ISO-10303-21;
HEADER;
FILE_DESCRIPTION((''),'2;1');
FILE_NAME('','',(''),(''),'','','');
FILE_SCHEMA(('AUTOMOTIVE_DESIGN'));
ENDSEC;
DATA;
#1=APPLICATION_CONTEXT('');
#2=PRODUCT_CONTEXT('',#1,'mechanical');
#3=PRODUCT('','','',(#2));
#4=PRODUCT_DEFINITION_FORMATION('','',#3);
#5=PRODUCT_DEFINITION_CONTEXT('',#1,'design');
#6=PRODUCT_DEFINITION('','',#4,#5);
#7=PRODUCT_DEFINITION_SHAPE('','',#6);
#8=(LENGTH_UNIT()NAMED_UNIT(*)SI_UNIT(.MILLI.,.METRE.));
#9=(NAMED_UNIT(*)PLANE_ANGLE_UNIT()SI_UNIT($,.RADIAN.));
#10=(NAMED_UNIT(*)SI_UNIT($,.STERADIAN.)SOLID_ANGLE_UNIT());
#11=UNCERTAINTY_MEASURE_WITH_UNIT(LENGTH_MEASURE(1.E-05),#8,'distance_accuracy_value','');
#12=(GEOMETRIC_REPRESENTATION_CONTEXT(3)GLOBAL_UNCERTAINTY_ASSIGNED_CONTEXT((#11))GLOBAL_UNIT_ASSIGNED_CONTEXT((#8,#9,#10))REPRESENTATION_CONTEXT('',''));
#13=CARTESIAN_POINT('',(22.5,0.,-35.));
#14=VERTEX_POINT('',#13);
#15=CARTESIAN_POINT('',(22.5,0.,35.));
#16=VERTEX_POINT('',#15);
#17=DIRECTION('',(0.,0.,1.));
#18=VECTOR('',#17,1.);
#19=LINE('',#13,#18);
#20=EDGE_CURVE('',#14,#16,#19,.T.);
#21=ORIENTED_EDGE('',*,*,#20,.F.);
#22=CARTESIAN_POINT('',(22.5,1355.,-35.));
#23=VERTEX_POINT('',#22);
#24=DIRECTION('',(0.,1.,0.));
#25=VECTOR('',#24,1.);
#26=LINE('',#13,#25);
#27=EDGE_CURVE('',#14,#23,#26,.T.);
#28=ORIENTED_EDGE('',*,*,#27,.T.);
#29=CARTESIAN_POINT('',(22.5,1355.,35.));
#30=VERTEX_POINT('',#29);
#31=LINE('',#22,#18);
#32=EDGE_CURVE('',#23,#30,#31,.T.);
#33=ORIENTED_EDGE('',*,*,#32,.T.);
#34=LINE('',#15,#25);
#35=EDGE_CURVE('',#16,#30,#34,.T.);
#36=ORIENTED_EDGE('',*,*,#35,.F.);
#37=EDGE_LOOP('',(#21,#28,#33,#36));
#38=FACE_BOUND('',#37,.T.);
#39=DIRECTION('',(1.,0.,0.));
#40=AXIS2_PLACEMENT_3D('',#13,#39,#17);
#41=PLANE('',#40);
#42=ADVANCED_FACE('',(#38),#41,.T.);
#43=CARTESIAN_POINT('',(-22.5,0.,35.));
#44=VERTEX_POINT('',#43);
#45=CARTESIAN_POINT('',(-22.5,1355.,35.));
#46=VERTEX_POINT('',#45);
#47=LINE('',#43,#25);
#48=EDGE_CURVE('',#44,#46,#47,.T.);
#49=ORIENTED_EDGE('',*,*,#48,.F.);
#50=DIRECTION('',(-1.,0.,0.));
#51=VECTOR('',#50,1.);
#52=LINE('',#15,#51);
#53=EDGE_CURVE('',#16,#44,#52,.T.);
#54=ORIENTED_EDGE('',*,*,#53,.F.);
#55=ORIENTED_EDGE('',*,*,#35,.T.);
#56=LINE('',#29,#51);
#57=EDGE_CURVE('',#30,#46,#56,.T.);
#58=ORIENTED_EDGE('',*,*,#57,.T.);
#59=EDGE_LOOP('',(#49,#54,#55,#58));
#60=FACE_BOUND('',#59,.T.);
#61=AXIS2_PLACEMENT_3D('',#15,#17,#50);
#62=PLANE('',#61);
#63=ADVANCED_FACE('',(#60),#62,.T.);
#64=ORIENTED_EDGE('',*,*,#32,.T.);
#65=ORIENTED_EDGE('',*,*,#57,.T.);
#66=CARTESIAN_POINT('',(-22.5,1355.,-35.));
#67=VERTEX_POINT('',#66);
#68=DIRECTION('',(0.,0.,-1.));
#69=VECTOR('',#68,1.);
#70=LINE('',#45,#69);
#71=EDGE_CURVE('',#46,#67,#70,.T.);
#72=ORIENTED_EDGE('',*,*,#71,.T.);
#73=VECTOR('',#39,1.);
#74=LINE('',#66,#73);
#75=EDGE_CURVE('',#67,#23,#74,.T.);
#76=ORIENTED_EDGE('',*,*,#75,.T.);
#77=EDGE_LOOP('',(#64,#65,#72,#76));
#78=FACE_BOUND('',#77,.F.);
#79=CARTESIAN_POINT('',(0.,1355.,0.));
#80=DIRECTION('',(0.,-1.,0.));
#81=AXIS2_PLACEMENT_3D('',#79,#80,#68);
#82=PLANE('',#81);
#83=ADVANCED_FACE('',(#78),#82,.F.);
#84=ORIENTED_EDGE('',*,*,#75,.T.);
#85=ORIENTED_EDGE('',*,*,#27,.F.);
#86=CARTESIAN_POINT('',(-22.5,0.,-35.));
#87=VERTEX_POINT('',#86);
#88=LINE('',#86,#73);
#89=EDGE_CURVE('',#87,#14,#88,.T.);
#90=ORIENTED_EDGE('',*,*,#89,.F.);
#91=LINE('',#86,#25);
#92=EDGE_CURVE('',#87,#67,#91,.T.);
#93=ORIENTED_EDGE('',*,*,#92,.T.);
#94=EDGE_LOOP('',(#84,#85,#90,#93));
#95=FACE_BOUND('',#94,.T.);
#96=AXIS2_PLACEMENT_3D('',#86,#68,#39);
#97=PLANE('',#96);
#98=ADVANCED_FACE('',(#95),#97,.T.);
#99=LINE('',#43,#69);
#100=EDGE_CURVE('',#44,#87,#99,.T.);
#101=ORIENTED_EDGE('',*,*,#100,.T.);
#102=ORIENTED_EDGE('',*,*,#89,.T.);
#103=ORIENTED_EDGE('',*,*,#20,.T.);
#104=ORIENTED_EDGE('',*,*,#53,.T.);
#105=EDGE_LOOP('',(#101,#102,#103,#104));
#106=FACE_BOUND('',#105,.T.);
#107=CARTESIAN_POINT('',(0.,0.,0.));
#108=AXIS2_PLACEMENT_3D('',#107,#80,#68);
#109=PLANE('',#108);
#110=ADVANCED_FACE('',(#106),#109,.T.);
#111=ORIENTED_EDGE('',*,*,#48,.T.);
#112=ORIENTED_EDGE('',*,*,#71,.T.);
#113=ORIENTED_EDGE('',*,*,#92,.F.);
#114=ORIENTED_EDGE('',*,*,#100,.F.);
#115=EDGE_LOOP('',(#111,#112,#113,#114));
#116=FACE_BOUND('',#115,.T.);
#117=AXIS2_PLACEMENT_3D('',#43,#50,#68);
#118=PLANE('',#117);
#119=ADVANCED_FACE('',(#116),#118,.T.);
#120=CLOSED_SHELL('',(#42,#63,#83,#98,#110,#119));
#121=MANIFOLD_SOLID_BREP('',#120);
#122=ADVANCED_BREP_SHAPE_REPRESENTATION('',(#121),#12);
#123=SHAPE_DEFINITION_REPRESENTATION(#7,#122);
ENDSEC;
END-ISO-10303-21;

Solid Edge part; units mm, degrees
sketch "Sketch1" plane through (0, 0, 0) normal (0, -1, 0) x (1, 0, 0)
  line L0 (-22.5, -35) -> (22.5, -35)
  line L1 (22.5, -35) -> (22.5, 35)
  line L2 (22.5, 35) -> (-22.5, 35)
  line L3 (-22.5, 35) -> (-22.5, -35)
extrude "Protrusion1" add sketch "Sketch1" against normal blind 1355
properties material "Wood, Pine"
